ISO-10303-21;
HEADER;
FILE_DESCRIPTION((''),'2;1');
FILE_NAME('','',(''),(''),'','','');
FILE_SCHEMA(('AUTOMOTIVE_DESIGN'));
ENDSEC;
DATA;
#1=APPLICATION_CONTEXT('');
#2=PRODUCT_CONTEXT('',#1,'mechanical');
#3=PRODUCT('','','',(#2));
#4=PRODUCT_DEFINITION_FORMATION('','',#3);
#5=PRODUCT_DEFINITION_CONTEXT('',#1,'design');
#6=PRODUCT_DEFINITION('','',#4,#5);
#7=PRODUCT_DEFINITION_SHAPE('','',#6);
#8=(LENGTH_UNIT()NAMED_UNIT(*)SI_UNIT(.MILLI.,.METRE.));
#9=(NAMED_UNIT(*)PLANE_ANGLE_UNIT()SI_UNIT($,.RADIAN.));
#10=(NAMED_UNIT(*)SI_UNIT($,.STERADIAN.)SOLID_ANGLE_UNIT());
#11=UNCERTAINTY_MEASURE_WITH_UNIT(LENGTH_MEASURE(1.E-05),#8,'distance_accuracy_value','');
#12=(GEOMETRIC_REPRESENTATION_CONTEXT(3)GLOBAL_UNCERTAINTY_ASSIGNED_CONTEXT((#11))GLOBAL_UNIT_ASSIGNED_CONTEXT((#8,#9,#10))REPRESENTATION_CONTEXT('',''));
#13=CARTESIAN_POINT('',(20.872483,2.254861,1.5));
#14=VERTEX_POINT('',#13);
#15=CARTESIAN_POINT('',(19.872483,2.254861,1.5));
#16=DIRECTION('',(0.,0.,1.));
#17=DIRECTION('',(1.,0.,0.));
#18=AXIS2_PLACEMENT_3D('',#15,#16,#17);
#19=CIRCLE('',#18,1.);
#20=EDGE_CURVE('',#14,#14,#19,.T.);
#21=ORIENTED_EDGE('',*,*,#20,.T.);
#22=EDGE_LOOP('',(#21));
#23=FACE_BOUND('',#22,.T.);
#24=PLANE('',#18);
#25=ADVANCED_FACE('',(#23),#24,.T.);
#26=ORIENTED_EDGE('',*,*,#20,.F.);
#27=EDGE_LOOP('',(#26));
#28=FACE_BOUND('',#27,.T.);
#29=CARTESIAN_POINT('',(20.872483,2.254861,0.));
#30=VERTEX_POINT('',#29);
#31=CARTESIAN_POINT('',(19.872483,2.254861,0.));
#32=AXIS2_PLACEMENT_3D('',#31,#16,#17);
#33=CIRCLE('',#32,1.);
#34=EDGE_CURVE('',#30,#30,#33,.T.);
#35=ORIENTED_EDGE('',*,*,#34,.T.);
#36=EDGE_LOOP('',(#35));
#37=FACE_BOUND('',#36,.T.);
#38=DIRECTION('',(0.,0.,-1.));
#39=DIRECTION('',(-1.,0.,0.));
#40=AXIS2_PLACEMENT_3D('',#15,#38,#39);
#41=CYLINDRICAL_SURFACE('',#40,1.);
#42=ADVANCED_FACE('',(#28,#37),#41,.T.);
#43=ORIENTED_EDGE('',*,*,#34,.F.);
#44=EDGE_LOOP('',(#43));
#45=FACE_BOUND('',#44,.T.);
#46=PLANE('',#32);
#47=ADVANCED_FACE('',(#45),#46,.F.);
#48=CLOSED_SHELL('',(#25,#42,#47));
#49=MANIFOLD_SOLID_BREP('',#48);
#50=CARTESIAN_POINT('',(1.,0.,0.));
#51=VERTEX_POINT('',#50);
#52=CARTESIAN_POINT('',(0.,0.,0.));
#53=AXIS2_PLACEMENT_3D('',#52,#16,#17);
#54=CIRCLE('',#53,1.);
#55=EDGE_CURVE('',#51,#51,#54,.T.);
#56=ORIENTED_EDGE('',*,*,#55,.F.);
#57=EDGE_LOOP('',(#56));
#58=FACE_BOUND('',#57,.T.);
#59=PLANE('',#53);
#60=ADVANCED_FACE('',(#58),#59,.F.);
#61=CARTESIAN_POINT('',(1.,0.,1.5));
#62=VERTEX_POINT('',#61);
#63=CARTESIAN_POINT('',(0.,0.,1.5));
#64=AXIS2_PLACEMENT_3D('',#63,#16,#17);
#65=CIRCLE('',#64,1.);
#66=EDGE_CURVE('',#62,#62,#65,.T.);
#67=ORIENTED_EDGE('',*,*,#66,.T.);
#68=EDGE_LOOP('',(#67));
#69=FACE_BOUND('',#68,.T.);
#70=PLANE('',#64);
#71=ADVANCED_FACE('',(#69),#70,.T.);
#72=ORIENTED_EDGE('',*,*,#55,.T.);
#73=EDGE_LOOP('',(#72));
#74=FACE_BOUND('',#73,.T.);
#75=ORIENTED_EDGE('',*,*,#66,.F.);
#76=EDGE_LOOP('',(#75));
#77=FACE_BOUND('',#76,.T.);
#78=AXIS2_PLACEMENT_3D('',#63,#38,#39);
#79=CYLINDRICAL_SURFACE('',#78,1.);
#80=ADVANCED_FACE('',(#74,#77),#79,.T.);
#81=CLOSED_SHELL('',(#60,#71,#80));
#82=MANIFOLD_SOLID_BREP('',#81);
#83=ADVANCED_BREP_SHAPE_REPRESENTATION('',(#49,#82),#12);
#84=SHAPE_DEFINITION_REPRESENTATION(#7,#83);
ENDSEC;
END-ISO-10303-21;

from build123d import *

# Parameters (mm, degrees)
SKETCH_1_R        = 1
EXTRUDE_1_DEPTH   = 1.5
EXTRUDE_1_2_DEPTH = 1.5


with BuildPart() as part:
    # 草图1 → 凸台-拉伸1 (new body)
    with BuildSketch(Plane.XY):
        with Locations((19.872483498, 2.254861332)):
            Circle(SKETCH_1_R)
    extrude(amount=EXTRUDE_1_DEPTH)


with BuildPart() as body_2:
    # 草图1 → Extrude 1 2 (new body)
    with BuildSketch(Plane.XY):
        Circle(SKETCH_1_R)
    extrude(amount=EXTRUDE_1_2_DEPTH)


solid = Compound([part.part, body_2.part])
